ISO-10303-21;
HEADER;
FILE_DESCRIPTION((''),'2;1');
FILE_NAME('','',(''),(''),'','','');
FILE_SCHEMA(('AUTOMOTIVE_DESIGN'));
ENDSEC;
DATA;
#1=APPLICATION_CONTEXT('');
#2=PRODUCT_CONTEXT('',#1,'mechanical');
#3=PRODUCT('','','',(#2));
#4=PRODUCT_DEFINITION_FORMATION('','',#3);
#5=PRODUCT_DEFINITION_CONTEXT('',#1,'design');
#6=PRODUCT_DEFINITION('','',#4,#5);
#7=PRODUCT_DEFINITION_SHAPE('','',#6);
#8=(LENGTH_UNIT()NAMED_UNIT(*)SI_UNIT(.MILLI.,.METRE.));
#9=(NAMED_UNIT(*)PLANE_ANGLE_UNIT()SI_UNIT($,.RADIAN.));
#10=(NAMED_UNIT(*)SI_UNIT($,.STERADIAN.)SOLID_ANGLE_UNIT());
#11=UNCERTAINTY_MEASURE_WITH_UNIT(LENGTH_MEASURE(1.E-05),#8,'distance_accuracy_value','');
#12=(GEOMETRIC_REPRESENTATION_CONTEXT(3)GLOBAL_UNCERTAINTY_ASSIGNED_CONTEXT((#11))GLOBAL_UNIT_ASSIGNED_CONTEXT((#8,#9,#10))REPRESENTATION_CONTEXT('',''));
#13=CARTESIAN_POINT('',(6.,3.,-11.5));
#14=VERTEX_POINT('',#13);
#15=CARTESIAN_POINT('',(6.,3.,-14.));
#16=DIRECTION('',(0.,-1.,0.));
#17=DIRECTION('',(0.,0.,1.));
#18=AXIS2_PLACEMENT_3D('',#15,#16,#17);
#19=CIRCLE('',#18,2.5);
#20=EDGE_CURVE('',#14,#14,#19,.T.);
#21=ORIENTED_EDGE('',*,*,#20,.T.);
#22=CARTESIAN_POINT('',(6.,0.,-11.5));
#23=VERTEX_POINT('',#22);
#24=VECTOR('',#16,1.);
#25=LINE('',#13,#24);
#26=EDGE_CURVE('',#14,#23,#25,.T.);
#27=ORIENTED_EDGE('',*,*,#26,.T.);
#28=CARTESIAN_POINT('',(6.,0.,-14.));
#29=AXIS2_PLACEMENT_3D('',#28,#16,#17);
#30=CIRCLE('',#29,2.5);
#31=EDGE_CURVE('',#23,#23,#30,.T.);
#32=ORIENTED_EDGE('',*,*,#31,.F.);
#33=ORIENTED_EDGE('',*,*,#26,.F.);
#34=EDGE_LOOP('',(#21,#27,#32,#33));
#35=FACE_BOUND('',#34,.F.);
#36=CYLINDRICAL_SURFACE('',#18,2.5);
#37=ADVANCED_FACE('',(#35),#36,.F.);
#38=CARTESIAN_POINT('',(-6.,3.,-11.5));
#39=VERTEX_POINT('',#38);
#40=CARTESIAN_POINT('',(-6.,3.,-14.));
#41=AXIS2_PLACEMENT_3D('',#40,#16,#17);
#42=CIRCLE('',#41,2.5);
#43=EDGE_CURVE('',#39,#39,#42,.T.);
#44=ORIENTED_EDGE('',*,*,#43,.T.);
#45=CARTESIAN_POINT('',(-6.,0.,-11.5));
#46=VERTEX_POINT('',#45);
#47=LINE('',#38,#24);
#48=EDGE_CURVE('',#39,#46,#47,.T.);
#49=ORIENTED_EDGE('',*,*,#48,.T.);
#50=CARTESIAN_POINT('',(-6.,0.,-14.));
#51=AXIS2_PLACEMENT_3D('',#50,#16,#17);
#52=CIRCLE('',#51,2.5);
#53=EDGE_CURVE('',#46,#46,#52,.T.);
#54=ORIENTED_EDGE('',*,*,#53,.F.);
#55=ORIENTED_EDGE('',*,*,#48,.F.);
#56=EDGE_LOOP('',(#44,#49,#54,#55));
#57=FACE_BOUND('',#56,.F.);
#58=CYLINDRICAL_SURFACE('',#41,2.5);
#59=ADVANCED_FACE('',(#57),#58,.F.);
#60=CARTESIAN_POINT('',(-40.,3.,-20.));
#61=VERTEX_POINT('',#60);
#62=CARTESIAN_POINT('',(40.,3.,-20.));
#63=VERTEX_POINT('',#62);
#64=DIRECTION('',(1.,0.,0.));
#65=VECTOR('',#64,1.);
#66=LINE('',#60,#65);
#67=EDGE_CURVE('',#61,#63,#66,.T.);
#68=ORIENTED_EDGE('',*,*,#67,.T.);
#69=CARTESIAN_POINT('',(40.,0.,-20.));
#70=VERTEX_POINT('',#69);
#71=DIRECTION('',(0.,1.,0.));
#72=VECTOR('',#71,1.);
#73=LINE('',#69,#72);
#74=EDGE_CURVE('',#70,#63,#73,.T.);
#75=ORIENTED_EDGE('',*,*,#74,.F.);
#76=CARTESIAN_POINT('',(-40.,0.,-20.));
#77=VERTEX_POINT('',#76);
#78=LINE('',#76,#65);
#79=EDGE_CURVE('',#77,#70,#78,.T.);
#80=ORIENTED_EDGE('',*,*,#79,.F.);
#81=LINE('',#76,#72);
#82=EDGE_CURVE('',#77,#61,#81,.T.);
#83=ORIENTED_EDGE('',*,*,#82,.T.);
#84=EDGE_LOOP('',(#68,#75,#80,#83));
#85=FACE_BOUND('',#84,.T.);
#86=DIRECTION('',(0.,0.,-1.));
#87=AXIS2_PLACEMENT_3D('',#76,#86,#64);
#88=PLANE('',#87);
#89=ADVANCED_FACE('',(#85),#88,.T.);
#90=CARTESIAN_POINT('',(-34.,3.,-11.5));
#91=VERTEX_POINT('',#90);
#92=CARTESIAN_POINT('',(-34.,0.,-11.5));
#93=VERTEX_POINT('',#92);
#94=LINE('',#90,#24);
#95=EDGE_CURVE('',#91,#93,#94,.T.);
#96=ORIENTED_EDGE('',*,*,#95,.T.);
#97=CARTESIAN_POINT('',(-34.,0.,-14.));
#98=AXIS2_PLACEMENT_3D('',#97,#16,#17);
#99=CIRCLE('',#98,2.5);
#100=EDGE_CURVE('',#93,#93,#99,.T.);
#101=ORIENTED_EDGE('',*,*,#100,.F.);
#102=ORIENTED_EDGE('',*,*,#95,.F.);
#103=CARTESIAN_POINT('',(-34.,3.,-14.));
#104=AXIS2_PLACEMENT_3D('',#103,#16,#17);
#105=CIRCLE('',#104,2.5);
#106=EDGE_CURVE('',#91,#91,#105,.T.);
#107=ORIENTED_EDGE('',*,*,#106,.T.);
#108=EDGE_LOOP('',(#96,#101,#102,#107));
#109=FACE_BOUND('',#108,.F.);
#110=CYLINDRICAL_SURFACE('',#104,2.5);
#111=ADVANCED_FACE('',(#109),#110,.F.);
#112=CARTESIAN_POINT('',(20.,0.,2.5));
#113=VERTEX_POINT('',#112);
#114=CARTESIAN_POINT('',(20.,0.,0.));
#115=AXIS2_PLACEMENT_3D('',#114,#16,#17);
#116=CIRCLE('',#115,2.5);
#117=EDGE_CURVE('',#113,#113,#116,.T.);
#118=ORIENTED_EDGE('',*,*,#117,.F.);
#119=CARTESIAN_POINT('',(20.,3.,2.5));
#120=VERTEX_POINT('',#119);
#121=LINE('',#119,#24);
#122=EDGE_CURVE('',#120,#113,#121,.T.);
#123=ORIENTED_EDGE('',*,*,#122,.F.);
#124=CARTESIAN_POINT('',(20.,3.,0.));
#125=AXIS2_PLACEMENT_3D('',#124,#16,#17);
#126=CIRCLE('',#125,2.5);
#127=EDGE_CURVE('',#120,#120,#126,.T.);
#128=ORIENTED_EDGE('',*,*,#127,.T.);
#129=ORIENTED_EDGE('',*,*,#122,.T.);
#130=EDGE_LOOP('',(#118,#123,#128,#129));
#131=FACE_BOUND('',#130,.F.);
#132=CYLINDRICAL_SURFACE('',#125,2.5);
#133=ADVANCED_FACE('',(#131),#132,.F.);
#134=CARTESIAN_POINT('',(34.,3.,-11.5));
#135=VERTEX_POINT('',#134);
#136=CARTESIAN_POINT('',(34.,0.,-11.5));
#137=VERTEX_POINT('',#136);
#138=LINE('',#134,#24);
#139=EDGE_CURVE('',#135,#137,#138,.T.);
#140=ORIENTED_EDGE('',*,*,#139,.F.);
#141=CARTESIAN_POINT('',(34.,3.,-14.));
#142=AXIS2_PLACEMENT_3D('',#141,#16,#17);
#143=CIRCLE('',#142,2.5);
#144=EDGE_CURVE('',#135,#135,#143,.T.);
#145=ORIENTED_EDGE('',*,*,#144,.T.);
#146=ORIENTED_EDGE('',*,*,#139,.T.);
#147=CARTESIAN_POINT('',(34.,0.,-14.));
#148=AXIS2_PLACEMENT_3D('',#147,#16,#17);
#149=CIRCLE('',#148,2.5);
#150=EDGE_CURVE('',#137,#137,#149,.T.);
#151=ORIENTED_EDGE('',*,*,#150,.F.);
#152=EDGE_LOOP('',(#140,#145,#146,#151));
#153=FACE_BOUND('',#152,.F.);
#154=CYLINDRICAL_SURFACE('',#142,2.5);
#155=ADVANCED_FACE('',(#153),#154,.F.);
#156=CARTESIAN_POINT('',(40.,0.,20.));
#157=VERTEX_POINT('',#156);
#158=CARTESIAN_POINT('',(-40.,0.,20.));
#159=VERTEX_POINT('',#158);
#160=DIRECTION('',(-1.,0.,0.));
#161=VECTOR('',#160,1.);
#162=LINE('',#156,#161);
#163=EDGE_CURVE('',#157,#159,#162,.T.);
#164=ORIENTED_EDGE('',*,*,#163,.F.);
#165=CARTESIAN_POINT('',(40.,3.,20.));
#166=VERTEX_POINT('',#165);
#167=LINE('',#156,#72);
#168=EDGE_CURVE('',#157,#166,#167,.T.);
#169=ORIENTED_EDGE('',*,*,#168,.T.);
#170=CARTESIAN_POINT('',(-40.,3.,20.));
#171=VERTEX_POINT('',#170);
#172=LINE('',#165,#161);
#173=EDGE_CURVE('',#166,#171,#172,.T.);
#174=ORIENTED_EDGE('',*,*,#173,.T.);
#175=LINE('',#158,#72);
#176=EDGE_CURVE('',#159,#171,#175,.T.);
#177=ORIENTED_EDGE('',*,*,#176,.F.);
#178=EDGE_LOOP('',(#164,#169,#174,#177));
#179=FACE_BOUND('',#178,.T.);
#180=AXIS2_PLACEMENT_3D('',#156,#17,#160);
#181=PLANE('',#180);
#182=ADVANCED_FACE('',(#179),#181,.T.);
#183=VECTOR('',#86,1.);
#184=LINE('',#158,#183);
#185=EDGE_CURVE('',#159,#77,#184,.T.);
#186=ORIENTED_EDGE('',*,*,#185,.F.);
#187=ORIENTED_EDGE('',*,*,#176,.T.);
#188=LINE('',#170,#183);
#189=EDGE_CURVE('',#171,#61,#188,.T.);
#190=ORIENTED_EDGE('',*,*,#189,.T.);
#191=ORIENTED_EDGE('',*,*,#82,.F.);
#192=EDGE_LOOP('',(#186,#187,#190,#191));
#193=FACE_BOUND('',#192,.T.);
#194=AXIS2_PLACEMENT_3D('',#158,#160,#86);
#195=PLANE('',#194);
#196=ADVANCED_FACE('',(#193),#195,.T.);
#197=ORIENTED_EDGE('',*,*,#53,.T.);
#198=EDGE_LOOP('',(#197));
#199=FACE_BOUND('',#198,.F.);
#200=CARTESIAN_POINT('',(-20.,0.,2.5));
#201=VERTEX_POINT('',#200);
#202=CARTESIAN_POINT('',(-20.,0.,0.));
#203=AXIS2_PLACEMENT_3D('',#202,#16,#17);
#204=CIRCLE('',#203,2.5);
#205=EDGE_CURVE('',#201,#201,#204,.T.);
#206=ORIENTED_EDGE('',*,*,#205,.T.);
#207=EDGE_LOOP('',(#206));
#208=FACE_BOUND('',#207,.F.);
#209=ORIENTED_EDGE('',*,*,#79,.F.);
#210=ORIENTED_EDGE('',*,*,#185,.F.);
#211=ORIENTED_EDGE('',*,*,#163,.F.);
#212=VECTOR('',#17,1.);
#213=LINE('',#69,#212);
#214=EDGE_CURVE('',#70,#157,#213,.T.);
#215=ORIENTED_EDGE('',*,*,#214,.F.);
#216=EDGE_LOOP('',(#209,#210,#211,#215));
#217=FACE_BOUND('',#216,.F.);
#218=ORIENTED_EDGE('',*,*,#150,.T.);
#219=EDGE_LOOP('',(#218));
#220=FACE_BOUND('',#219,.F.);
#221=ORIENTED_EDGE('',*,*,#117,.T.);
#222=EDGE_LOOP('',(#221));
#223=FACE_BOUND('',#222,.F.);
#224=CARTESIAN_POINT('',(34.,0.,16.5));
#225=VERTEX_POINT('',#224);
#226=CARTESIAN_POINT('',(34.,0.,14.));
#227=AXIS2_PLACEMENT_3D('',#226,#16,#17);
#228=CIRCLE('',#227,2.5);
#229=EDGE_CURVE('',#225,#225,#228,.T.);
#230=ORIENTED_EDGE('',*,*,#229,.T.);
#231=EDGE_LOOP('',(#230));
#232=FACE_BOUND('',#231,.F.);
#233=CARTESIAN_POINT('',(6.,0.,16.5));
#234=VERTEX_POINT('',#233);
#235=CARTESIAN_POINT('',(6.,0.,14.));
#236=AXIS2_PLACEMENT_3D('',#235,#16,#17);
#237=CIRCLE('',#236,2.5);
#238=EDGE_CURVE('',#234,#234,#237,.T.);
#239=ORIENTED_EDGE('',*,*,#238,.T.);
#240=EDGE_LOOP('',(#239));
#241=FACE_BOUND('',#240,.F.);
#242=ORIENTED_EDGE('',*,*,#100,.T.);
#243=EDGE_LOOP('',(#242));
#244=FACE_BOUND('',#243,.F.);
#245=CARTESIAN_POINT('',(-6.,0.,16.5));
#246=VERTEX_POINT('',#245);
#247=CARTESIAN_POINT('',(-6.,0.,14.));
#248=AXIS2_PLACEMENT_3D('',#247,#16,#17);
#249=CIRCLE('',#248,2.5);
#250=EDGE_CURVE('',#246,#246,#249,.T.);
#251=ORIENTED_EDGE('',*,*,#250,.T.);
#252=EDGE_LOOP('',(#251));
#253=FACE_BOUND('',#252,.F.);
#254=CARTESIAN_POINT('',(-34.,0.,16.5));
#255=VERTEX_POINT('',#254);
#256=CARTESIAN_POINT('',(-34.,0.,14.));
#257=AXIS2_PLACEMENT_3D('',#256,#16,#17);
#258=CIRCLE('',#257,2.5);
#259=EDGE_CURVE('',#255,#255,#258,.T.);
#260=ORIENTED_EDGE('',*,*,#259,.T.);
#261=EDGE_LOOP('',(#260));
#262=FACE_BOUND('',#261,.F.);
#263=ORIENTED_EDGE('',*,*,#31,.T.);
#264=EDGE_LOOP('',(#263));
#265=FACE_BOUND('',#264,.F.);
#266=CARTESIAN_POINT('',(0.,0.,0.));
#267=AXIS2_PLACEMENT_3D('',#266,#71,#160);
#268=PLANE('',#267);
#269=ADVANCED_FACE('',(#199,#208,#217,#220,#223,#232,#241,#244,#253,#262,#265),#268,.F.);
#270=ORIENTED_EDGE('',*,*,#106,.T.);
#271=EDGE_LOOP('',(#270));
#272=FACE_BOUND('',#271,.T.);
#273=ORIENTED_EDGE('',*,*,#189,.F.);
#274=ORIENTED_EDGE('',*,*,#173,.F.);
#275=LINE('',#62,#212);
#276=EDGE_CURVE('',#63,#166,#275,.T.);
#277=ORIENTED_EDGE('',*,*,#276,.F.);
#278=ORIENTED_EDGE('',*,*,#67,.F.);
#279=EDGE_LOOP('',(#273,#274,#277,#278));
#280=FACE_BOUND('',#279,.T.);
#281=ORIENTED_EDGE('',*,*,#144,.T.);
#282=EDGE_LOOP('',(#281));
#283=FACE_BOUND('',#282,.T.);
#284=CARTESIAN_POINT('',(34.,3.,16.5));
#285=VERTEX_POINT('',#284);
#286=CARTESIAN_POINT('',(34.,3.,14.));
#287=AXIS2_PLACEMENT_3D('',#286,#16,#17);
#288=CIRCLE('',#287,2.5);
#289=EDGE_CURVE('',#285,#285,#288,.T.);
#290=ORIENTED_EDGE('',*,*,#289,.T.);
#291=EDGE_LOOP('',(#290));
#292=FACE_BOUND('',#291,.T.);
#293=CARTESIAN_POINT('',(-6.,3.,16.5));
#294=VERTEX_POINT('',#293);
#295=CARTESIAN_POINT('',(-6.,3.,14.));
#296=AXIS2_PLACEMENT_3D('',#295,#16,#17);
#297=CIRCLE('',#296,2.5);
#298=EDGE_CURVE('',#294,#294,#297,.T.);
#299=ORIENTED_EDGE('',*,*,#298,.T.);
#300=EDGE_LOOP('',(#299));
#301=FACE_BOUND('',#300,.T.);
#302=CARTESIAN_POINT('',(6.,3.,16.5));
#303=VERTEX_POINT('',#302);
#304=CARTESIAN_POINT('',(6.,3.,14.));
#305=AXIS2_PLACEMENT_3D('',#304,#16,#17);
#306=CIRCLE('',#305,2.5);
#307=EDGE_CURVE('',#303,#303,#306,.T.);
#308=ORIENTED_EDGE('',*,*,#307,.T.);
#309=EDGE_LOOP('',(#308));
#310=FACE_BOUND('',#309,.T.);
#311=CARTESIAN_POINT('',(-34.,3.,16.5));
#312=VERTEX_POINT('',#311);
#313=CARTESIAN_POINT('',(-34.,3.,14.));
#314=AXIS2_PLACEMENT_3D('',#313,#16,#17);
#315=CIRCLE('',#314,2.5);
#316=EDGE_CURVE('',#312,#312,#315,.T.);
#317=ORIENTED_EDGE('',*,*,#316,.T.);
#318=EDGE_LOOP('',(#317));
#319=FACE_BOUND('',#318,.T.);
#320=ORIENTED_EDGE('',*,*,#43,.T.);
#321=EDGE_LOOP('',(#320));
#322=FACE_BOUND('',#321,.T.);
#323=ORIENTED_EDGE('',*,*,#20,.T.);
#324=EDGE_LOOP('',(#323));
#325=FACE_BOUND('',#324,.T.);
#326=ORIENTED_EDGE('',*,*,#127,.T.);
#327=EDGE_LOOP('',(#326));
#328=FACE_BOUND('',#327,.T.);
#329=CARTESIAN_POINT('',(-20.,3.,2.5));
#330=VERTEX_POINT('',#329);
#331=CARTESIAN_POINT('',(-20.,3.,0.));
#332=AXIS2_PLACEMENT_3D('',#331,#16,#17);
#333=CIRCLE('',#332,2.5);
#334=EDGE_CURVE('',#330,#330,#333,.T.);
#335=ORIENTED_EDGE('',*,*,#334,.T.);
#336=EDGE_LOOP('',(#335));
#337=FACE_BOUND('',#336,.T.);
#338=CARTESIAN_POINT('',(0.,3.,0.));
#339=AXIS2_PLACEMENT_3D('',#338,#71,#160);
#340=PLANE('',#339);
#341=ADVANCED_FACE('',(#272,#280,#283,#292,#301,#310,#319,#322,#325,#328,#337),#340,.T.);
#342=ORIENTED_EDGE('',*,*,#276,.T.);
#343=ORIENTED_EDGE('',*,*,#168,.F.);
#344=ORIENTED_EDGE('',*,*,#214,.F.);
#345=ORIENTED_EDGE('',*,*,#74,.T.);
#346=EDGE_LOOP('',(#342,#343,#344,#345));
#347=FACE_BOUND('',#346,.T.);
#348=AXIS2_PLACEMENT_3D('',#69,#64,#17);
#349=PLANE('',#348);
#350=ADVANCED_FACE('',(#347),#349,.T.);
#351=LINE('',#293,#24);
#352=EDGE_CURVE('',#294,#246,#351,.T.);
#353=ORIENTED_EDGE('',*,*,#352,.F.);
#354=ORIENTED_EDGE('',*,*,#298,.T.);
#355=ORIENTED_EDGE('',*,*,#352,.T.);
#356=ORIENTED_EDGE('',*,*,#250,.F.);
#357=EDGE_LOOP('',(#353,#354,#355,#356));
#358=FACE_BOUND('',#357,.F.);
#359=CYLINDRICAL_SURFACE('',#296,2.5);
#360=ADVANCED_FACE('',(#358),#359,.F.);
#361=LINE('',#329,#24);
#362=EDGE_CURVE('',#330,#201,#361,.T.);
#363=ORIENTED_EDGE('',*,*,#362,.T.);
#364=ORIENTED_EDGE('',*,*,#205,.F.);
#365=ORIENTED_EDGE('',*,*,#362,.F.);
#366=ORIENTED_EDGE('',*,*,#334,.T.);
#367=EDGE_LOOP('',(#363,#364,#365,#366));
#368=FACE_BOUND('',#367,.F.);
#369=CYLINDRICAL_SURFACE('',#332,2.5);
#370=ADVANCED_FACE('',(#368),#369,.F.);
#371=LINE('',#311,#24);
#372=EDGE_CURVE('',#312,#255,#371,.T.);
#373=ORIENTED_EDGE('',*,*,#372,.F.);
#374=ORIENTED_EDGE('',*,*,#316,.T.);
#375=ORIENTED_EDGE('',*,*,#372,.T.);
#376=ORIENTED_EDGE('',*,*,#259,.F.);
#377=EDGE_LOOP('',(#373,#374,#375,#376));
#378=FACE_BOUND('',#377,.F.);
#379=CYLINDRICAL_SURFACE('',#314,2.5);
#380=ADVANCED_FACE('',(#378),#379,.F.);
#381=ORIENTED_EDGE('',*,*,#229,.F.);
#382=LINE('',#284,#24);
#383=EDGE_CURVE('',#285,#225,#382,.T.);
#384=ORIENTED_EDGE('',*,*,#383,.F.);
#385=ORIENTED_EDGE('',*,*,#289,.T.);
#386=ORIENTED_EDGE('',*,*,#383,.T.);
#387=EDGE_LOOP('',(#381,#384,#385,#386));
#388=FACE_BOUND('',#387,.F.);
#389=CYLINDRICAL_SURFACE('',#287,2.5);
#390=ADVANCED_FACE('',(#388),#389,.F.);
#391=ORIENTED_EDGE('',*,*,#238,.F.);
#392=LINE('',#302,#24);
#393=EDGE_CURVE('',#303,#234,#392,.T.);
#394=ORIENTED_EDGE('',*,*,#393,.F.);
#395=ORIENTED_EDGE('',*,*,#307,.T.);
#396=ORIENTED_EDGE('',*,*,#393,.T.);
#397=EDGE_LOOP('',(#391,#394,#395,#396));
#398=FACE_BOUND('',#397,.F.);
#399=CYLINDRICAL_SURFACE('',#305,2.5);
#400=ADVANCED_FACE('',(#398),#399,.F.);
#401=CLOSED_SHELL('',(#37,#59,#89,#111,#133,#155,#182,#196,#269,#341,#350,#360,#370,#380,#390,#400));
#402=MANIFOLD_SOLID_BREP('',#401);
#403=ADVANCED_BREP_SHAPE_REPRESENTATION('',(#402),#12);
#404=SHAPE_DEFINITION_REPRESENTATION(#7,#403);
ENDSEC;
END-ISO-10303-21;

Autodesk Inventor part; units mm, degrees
ref_plane "YZ Plane" through (0, 0, 0) normal (1, 0, 0) x (0, 1, 0)
ref_plane "XZ Plane" through (0, 0, 0) normal (0, 1, 0) x (-1, 0, 0)
ref_plane "XY Plane" through (0, 0, 0) normal (0, 0, 1) x (1, 0, 0)
sketch "Szkic1" plane through (0, 0, 0) normal (0, 1, 0) x (-1, 0, 0)
  line L0 (40, -20) -> (-40, -20)
  line L1 (-40, -20) -> (-40, 20)
  line L2 (-40, 20) -> (40, 20)
  line L3 (40, 20) -> (40, -20)
  line L4 (40, -20) -> (-40, 20) construction
  line L5 (-40, -20) -> (40, 20) construction
  point P0 (0, 0)
  dimension "d0" = 80
  dimension "d1" = 40
extrude "Wyciągnięcie proste1" add sketch "Szkic1" along normal blind 3
sketch "Szkic2" plane through (0, 3, 0) normal (0, 1, 0) x (1, 0, 0)
  line L0 (40, 20) -> (-40, 20) projected
  line L1 (34, 14) -> (34, -14)
  line L2 (-34, -14) -> (-34, 14)
  line L3 (-34, 14) -> (-6, 14)
  line L4 (-6, 14) -> (-6, -14)
  line L5 (-6, -14) -> (-34, -14)
  line L6 (-34, -14) -> (-34, 14)
  line L7 (34, 14) -> (6, 14)
  line L8 (6, 14) -> (6, -14)
  line L9 (6, -14) -> (34, -14)
  line L10 (34, -14) -> (34, 14)
  line L11 (6, 14) -> (34, -14) construction
  line L12 (34, 14) -> (6, -14) construction
  line L13 (-6, 14) -> (-34, -14) construction
  line L14 (-34, 14) -> (-6, -14) construction
  point P0 (0, 0)
  point P1 (-20, 0)
  point P2 (20, 0)
  dimension "d16" = 6
  dimension "d17" = 12
hole "Otwór1" at (34, 3, -14) at (34, 3, 14) at (-34, 3, 14) at (-34, 3, -14) at (6, 3, 14) at (-6, 3, 14) at (6, 3, -14) at (-6, 3, -14) at (20, 3, 0) at (-20, 3, 0) direction (0, -1, 0) diameter 5 end through all
equation "\"d17\" = 2 * d16"
properties part number "płaskownik"
